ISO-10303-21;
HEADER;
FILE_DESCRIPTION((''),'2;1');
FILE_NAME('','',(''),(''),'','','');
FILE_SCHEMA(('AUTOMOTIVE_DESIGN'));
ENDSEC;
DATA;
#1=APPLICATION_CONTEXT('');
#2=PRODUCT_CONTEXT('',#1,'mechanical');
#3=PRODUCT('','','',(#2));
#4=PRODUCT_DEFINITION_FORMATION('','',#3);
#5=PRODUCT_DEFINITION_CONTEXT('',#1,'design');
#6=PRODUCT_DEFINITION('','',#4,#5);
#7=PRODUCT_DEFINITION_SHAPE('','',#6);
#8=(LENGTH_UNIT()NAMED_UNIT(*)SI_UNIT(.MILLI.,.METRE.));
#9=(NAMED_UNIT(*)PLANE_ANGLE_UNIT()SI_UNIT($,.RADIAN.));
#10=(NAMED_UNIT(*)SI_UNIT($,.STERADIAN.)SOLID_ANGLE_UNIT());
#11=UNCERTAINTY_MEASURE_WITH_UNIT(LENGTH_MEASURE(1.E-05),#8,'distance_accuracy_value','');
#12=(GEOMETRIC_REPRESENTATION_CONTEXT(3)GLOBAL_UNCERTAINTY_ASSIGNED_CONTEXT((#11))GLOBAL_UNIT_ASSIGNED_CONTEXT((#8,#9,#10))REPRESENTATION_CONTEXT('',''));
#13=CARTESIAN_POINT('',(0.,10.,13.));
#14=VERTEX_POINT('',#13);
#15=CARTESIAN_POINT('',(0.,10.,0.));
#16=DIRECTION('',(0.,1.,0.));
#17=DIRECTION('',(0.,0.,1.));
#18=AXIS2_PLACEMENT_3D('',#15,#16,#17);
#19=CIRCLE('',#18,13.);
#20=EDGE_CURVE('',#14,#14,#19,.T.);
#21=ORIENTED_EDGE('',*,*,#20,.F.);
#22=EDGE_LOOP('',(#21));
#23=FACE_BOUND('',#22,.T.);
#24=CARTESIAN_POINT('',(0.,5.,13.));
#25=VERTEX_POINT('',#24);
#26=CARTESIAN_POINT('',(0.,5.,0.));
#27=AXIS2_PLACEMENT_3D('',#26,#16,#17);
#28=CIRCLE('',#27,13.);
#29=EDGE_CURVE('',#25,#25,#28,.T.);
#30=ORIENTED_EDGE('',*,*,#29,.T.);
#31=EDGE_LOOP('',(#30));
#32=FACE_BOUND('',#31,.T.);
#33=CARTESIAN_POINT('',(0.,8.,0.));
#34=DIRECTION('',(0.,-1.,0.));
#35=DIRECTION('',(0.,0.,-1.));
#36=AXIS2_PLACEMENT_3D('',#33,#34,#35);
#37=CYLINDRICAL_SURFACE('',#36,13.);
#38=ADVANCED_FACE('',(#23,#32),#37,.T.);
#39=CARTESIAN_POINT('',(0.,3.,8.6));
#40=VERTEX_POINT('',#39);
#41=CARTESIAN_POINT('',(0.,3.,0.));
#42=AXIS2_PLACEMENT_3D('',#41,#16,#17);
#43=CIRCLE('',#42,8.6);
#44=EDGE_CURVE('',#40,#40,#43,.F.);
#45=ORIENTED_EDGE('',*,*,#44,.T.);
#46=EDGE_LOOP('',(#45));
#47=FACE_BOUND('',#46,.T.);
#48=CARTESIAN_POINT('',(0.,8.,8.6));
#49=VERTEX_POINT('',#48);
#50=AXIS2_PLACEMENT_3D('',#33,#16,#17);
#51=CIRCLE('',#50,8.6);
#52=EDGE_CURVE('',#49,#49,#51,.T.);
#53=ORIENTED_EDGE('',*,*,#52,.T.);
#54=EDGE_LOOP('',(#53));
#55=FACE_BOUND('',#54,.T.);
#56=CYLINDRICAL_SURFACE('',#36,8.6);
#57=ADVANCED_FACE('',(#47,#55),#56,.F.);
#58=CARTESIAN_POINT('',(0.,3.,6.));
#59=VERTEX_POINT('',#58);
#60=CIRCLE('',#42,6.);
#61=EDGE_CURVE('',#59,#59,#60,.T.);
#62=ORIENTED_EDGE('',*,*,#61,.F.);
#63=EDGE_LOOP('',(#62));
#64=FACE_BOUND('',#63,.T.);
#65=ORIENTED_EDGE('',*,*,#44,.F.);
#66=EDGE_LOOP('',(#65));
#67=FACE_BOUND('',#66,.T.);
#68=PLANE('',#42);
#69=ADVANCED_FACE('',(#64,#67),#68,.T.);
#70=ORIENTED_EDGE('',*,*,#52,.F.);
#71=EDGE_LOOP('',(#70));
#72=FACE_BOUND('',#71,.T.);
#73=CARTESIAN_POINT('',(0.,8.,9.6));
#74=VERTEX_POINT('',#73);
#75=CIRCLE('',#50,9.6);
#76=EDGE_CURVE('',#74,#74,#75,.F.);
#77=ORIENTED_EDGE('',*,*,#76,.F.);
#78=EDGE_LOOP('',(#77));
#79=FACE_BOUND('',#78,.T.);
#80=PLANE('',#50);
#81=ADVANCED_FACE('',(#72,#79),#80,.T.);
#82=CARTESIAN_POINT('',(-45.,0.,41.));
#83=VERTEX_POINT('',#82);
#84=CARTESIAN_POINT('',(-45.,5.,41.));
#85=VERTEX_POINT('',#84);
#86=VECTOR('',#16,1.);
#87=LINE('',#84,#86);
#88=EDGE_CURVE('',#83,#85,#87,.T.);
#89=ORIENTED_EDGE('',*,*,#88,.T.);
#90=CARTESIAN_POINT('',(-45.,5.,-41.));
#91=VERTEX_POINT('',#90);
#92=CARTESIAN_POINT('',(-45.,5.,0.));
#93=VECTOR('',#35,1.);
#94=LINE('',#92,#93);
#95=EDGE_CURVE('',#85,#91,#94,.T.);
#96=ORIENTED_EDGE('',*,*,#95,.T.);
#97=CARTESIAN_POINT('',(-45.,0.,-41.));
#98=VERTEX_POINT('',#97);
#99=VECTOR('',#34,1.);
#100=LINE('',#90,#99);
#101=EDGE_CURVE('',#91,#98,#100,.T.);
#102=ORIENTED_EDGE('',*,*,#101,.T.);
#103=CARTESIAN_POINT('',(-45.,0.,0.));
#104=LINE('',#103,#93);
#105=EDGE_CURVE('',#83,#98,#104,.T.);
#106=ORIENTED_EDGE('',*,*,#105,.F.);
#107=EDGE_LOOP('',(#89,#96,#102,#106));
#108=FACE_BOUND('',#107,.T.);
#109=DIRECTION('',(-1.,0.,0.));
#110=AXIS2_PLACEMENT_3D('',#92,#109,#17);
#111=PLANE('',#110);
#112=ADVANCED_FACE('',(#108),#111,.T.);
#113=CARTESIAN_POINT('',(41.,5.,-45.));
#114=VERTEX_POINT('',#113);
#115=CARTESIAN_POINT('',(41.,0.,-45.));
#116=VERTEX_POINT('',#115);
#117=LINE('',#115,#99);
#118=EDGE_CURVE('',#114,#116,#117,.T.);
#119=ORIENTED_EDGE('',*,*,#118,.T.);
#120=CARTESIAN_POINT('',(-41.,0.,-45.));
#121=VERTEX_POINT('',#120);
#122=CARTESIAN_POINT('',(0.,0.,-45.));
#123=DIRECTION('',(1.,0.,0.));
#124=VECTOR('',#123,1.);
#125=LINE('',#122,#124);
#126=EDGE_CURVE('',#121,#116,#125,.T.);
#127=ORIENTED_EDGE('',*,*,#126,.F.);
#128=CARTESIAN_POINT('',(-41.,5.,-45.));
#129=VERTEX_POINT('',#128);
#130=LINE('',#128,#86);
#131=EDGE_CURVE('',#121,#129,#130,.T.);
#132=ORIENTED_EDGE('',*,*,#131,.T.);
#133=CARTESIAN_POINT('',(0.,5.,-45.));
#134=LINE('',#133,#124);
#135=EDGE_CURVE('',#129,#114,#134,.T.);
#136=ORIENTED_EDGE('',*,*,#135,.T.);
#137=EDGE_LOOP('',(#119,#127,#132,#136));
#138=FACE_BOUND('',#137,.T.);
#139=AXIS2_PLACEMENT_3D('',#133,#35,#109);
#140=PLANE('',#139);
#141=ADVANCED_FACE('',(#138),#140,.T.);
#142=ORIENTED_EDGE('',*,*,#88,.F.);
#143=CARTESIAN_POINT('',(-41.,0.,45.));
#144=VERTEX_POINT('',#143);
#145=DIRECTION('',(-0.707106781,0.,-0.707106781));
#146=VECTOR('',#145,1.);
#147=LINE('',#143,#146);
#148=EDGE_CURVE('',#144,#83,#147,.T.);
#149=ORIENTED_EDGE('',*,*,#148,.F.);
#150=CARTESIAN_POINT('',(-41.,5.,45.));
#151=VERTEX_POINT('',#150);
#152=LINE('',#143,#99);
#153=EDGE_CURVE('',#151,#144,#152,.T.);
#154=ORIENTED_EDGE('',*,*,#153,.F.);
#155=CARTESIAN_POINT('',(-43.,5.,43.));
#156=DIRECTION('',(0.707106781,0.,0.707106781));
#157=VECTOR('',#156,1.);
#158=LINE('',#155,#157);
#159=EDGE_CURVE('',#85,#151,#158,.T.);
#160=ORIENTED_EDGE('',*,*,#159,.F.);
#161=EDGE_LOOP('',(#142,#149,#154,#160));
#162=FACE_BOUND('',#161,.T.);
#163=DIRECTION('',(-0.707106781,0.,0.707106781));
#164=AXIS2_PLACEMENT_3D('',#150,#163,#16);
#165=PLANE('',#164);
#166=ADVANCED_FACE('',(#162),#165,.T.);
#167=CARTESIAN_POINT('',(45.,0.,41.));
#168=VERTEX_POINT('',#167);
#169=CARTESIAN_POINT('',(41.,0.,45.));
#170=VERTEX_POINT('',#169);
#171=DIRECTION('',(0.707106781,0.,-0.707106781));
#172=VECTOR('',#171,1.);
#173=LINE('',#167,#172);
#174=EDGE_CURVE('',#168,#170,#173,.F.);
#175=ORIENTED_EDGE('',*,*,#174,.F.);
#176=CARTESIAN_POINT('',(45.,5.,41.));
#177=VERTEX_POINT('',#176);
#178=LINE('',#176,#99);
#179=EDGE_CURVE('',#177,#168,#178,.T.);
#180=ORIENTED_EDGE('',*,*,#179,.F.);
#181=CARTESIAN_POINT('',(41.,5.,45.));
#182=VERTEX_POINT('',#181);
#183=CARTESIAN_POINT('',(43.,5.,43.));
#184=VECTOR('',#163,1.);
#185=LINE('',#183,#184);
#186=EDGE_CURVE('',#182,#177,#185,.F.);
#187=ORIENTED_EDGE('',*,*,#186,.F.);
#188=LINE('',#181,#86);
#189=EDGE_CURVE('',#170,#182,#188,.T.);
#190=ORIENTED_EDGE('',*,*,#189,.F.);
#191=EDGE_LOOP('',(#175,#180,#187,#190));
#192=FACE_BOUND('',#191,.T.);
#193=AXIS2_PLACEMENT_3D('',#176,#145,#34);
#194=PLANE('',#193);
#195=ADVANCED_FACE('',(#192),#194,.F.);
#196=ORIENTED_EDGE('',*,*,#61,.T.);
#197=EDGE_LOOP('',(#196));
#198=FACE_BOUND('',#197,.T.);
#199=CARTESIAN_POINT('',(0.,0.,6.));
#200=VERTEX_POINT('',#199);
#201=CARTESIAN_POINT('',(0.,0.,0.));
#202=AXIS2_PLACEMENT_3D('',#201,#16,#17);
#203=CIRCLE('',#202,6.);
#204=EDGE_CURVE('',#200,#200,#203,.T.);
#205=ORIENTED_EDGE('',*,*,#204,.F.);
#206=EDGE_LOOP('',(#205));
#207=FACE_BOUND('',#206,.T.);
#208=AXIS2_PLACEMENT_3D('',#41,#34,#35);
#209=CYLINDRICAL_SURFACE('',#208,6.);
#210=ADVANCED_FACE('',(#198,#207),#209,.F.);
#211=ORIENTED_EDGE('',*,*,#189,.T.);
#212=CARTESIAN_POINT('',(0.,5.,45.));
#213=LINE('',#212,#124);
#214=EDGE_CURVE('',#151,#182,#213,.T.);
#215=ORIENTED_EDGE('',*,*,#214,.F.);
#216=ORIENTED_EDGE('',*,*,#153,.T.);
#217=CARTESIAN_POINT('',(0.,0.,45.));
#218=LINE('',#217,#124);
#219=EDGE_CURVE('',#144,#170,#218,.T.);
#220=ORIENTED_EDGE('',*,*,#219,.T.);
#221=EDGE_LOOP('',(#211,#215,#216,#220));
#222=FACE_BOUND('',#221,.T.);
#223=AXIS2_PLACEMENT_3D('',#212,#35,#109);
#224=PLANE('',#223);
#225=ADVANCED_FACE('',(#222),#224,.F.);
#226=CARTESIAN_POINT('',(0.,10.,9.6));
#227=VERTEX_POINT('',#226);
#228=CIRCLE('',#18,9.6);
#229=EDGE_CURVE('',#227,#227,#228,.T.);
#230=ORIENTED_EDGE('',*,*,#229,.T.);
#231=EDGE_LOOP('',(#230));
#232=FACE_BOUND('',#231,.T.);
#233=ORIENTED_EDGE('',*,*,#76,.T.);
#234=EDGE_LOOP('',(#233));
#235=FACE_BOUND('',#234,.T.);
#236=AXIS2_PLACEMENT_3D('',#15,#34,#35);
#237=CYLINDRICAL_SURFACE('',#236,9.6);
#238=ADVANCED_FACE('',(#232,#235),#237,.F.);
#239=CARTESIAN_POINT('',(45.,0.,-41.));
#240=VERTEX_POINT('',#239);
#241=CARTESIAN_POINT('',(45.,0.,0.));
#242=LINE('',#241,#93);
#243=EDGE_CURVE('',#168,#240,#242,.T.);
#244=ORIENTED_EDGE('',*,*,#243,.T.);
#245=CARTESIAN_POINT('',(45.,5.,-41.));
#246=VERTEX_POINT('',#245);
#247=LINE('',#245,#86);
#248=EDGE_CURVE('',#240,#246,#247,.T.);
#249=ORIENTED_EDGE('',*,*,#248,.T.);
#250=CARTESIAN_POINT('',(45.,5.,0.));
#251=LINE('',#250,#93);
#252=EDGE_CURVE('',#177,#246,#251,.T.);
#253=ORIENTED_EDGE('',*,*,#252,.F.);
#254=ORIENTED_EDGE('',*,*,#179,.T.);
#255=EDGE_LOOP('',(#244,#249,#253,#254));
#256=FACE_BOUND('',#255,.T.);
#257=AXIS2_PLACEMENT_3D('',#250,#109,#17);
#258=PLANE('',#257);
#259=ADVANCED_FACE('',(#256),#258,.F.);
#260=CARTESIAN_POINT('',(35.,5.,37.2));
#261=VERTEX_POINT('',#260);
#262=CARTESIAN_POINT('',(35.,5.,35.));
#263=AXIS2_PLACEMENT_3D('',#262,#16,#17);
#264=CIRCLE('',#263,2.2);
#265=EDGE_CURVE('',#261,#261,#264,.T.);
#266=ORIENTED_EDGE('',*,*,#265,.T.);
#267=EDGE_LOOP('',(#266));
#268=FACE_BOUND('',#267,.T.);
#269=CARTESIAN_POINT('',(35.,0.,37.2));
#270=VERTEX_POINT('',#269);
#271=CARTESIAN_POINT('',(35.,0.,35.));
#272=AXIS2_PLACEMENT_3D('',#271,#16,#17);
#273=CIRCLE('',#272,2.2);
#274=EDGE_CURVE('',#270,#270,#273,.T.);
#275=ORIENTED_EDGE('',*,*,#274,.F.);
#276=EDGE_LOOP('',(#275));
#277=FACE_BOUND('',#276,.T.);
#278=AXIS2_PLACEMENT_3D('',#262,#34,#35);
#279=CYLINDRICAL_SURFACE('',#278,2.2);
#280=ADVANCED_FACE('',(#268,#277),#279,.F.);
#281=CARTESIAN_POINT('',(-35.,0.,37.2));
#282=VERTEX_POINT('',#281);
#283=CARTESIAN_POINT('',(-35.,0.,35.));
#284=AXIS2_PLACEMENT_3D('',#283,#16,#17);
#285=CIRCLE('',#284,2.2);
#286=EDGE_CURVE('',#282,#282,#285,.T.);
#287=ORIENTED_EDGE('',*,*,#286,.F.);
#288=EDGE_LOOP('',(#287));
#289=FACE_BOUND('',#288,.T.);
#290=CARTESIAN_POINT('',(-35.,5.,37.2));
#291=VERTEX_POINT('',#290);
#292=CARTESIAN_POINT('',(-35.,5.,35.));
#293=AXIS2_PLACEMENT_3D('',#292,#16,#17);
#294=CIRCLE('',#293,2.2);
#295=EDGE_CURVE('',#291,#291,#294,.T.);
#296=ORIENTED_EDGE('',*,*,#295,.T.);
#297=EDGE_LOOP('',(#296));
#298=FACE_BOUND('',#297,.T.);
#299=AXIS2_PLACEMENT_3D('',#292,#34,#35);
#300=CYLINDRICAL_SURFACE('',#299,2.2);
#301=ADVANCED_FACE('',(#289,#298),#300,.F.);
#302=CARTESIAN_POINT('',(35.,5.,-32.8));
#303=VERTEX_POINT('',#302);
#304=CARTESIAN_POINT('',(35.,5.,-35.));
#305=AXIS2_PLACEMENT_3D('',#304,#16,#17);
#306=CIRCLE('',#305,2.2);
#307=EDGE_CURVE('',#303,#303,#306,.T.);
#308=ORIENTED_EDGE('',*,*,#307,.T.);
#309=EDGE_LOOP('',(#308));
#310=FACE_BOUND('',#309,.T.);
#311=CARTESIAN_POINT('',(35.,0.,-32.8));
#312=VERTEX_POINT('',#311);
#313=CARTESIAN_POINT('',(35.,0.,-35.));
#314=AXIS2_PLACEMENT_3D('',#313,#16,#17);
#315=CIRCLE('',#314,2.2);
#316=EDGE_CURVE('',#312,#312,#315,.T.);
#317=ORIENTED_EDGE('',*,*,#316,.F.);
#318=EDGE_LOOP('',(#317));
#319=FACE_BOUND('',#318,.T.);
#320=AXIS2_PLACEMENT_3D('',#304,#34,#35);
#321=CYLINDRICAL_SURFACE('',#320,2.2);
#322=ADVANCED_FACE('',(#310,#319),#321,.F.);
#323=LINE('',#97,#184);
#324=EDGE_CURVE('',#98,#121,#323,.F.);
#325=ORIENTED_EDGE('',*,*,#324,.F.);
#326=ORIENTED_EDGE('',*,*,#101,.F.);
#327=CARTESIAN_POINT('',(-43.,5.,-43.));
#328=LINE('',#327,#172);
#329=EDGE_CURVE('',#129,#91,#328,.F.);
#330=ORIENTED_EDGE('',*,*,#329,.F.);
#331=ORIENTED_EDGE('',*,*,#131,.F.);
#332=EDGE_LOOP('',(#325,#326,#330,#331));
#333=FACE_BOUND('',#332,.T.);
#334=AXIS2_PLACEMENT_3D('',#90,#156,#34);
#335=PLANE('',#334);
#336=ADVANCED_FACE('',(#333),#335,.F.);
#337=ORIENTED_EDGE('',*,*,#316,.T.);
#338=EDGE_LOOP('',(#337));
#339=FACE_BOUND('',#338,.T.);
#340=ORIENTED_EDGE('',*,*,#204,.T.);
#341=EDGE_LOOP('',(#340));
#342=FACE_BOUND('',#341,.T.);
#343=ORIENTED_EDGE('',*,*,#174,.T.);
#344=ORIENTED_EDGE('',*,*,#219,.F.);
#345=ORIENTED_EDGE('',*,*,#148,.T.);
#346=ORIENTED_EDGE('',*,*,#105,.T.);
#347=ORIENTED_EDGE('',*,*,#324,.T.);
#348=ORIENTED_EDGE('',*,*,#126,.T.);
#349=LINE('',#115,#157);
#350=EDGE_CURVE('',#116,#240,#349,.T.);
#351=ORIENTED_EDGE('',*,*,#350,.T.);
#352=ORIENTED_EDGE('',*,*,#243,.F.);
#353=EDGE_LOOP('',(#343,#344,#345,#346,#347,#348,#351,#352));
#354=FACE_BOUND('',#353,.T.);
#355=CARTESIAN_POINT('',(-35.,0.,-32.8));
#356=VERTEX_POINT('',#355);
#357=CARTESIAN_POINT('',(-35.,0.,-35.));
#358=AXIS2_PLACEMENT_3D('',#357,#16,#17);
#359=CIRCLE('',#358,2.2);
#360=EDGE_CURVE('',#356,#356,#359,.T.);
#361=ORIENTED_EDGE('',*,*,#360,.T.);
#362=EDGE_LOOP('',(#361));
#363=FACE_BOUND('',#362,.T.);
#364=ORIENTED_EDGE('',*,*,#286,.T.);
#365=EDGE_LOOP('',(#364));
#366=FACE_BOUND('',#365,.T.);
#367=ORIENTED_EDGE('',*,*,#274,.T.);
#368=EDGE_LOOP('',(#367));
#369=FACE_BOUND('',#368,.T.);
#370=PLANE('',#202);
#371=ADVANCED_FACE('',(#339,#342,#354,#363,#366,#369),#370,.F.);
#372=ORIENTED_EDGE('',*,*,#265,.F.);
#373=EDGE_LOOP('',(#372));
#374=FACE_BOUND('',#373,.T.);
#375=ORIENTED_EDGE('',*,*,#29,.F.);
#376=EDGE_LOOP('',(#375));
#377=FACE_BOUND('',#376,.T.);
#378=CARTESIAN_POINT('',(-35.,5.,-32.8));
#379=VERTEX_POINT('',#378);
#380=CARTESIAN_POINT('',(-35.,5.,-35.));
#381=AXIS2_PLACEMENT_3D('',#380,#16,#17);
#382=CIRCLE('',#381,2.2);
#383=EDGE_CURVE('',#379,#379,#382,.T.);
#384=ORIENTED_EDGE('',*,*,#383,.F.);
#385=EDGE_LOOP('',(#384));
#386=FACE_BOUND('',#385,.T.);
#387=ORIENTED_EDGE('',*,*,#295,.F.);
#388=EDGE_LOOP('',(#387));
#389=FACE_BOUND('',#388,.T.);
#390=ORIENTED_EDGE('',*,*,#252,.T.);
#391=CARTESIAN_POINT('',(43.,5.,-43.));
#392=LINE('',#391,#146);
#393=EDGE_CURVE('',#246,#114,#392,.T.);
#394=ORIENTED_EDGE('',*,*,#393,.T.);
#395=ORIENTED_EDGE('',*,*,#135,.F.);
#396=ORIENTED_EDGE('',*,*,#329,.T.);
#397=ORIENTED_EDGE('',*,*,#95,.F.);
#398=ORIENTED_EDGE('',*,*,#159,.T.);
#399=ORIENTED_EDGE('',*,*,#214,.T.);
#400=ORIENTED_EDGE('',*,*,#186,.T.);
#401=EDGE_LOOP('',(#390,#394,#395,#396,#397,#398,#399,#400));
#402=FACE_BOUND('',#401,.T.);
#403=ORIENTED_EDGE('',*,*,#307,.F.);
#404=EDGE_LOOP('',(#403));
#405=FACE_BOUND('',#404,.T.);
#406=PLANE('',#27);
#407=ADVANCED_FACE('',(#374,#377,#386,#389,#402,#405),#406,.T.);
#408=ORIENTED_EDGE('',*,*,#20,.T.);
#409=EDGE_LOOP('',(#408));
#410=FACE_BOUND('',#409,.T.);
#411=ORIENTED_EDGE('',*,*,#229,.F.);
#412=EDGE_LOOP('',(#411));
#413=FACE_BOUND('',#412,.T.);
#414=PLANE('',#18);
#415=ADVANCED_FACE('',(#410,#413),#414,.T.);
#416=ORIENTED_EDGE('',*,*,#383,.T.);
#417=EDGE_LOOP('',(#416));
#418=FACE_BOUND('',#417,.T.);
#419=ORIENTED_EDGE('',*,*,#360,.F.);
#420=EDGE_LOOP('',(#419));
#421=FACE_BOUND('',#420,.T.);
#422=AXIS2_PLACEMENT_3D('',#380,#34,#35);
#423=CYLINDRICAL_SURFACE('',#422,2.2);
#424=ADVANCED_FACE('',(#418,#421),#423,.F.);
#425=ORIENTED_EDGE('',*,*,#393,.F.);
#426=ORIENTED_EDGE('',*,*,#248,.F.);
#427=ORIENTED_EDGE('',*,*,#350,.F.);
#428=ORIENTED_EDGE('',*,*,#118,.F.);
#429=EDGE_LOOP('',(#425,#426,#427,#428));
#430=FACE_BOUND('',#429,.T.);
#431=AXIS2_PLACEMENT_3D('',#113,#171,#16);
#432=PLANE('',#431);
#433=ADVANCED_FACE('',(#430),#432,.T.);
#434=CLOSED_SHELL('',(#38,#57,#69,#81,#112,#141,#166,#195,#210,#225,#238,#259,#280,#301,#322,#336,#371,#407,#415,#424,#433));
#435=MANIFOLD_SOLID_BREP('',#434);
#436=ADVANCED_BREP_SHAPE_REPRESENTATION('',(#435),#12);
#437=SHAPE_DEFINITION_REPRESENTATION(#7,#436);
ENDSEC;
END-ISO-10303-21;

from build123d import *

# Parameters (mm, degrees)
SKETCH1_W           = 90
SKETCH1_H           = 90
SKETCH1_R           = 2.2
SKETCH1_R_2         = 13
BOSS_EXTRUDE1_DEPTH = 5
SKETCH1_3_R         = 13
SKETCH1_3_R_2       = 6
BOSS_EXTRUDE2_DEPTH = 3
SKETCH1_4_R         = 13
SKETCH1_4_R_2       = 8.6
BOSS_EXTRUDE3_DEPTH = 8
SKETCH1_5_R         = 13
SKETCH1_5_R_2       = 9.6
BOSS_EXTRUDE4_DEPTH = 10
CHAMFER1_SIZE       = 4


with BuildPart() as part:
    # Sketch1 → Boss-Extrude1 (new body)
    with BuildSketch(Plane(origin=(0, 0, 0), x_dir=(1, 0, 0), z_dir=(0, 1, 0))):
        Rectangle(SKETCH1_W, SKETCH1_H)
        with Locations((-35, -35)):
            Circle(SKETCH1_R, mode=Mode.SUBTRACT)
        with Locations((35, -35)):
            Circle(SKETCH1_R, mode=Mode.SUBTRACT)
        with Locations((-35, 35)):
            Circle(SKETCH1_R, mode=Mode.SUBTRACT)
        Circle(SKETCH1_R_2, mode=Mode.SUBTRACT)
        with Locations((35, 35)):
            Circle(SKETCH1_R, mode=Mode.SUBTRACT)
    extrude(amount=BOSS_EXTRUDE1_DEPTH)

    # Sketch1<3> → Boss-Extrude2 (add)
    with BuildSketch(Plane(origin=(0, 0, 0), x_dir=(1, 0, 0), z_dir=(0, 1, 0))):
        Circle(SKETCH1_3_R)
        Circle(SKETCH1_3_R_2, mode=Mode.SUBTRACT)
    extrude(amount=BOSS_EXTRUDE2_DEPTH)

    # Sketch1<4> → Boss-Extrude3 (add)
    with BuildSketch(Plane(origin=(0, 0, 0), x_dir=(1, 0, 0), z_dir=(0, 1, 0))):
        Circle(SKETCH1_4_R)
        Circle(SKETCH1_4_R_2, mode=Mode.SUBTRACT)
    extrude(amount=BOSS_EXTRUDE3_DEPTH)

    # Sketch1<5> → Boss-Extrude4 (add)
    with BuildSketch(Plane(origin=(0, 0, 0), x_dir=(1, 0, 0), z_dir=(0, 1, 0))):
        Circle(SKETCH1_5_R)
        Circle(SKETCH1_5_R_2, mode=Mode.SUBTRACT)
    extrude(amount=BOSS_EXTRUDE4_DEPTH)

    # Chamfer1
    chamfer1_edges = [part.edges().sort_by_distance(p)[0] for p in [
        (-45, 2.5, -45),
        (45, 2.5, -45),
        (-45, 2.5, 45),
        (45, 2.5, 45),
    ]]
    chamfer(chamfer1_edges, length=CHAMFER1_SIZE)


solid = part.part
